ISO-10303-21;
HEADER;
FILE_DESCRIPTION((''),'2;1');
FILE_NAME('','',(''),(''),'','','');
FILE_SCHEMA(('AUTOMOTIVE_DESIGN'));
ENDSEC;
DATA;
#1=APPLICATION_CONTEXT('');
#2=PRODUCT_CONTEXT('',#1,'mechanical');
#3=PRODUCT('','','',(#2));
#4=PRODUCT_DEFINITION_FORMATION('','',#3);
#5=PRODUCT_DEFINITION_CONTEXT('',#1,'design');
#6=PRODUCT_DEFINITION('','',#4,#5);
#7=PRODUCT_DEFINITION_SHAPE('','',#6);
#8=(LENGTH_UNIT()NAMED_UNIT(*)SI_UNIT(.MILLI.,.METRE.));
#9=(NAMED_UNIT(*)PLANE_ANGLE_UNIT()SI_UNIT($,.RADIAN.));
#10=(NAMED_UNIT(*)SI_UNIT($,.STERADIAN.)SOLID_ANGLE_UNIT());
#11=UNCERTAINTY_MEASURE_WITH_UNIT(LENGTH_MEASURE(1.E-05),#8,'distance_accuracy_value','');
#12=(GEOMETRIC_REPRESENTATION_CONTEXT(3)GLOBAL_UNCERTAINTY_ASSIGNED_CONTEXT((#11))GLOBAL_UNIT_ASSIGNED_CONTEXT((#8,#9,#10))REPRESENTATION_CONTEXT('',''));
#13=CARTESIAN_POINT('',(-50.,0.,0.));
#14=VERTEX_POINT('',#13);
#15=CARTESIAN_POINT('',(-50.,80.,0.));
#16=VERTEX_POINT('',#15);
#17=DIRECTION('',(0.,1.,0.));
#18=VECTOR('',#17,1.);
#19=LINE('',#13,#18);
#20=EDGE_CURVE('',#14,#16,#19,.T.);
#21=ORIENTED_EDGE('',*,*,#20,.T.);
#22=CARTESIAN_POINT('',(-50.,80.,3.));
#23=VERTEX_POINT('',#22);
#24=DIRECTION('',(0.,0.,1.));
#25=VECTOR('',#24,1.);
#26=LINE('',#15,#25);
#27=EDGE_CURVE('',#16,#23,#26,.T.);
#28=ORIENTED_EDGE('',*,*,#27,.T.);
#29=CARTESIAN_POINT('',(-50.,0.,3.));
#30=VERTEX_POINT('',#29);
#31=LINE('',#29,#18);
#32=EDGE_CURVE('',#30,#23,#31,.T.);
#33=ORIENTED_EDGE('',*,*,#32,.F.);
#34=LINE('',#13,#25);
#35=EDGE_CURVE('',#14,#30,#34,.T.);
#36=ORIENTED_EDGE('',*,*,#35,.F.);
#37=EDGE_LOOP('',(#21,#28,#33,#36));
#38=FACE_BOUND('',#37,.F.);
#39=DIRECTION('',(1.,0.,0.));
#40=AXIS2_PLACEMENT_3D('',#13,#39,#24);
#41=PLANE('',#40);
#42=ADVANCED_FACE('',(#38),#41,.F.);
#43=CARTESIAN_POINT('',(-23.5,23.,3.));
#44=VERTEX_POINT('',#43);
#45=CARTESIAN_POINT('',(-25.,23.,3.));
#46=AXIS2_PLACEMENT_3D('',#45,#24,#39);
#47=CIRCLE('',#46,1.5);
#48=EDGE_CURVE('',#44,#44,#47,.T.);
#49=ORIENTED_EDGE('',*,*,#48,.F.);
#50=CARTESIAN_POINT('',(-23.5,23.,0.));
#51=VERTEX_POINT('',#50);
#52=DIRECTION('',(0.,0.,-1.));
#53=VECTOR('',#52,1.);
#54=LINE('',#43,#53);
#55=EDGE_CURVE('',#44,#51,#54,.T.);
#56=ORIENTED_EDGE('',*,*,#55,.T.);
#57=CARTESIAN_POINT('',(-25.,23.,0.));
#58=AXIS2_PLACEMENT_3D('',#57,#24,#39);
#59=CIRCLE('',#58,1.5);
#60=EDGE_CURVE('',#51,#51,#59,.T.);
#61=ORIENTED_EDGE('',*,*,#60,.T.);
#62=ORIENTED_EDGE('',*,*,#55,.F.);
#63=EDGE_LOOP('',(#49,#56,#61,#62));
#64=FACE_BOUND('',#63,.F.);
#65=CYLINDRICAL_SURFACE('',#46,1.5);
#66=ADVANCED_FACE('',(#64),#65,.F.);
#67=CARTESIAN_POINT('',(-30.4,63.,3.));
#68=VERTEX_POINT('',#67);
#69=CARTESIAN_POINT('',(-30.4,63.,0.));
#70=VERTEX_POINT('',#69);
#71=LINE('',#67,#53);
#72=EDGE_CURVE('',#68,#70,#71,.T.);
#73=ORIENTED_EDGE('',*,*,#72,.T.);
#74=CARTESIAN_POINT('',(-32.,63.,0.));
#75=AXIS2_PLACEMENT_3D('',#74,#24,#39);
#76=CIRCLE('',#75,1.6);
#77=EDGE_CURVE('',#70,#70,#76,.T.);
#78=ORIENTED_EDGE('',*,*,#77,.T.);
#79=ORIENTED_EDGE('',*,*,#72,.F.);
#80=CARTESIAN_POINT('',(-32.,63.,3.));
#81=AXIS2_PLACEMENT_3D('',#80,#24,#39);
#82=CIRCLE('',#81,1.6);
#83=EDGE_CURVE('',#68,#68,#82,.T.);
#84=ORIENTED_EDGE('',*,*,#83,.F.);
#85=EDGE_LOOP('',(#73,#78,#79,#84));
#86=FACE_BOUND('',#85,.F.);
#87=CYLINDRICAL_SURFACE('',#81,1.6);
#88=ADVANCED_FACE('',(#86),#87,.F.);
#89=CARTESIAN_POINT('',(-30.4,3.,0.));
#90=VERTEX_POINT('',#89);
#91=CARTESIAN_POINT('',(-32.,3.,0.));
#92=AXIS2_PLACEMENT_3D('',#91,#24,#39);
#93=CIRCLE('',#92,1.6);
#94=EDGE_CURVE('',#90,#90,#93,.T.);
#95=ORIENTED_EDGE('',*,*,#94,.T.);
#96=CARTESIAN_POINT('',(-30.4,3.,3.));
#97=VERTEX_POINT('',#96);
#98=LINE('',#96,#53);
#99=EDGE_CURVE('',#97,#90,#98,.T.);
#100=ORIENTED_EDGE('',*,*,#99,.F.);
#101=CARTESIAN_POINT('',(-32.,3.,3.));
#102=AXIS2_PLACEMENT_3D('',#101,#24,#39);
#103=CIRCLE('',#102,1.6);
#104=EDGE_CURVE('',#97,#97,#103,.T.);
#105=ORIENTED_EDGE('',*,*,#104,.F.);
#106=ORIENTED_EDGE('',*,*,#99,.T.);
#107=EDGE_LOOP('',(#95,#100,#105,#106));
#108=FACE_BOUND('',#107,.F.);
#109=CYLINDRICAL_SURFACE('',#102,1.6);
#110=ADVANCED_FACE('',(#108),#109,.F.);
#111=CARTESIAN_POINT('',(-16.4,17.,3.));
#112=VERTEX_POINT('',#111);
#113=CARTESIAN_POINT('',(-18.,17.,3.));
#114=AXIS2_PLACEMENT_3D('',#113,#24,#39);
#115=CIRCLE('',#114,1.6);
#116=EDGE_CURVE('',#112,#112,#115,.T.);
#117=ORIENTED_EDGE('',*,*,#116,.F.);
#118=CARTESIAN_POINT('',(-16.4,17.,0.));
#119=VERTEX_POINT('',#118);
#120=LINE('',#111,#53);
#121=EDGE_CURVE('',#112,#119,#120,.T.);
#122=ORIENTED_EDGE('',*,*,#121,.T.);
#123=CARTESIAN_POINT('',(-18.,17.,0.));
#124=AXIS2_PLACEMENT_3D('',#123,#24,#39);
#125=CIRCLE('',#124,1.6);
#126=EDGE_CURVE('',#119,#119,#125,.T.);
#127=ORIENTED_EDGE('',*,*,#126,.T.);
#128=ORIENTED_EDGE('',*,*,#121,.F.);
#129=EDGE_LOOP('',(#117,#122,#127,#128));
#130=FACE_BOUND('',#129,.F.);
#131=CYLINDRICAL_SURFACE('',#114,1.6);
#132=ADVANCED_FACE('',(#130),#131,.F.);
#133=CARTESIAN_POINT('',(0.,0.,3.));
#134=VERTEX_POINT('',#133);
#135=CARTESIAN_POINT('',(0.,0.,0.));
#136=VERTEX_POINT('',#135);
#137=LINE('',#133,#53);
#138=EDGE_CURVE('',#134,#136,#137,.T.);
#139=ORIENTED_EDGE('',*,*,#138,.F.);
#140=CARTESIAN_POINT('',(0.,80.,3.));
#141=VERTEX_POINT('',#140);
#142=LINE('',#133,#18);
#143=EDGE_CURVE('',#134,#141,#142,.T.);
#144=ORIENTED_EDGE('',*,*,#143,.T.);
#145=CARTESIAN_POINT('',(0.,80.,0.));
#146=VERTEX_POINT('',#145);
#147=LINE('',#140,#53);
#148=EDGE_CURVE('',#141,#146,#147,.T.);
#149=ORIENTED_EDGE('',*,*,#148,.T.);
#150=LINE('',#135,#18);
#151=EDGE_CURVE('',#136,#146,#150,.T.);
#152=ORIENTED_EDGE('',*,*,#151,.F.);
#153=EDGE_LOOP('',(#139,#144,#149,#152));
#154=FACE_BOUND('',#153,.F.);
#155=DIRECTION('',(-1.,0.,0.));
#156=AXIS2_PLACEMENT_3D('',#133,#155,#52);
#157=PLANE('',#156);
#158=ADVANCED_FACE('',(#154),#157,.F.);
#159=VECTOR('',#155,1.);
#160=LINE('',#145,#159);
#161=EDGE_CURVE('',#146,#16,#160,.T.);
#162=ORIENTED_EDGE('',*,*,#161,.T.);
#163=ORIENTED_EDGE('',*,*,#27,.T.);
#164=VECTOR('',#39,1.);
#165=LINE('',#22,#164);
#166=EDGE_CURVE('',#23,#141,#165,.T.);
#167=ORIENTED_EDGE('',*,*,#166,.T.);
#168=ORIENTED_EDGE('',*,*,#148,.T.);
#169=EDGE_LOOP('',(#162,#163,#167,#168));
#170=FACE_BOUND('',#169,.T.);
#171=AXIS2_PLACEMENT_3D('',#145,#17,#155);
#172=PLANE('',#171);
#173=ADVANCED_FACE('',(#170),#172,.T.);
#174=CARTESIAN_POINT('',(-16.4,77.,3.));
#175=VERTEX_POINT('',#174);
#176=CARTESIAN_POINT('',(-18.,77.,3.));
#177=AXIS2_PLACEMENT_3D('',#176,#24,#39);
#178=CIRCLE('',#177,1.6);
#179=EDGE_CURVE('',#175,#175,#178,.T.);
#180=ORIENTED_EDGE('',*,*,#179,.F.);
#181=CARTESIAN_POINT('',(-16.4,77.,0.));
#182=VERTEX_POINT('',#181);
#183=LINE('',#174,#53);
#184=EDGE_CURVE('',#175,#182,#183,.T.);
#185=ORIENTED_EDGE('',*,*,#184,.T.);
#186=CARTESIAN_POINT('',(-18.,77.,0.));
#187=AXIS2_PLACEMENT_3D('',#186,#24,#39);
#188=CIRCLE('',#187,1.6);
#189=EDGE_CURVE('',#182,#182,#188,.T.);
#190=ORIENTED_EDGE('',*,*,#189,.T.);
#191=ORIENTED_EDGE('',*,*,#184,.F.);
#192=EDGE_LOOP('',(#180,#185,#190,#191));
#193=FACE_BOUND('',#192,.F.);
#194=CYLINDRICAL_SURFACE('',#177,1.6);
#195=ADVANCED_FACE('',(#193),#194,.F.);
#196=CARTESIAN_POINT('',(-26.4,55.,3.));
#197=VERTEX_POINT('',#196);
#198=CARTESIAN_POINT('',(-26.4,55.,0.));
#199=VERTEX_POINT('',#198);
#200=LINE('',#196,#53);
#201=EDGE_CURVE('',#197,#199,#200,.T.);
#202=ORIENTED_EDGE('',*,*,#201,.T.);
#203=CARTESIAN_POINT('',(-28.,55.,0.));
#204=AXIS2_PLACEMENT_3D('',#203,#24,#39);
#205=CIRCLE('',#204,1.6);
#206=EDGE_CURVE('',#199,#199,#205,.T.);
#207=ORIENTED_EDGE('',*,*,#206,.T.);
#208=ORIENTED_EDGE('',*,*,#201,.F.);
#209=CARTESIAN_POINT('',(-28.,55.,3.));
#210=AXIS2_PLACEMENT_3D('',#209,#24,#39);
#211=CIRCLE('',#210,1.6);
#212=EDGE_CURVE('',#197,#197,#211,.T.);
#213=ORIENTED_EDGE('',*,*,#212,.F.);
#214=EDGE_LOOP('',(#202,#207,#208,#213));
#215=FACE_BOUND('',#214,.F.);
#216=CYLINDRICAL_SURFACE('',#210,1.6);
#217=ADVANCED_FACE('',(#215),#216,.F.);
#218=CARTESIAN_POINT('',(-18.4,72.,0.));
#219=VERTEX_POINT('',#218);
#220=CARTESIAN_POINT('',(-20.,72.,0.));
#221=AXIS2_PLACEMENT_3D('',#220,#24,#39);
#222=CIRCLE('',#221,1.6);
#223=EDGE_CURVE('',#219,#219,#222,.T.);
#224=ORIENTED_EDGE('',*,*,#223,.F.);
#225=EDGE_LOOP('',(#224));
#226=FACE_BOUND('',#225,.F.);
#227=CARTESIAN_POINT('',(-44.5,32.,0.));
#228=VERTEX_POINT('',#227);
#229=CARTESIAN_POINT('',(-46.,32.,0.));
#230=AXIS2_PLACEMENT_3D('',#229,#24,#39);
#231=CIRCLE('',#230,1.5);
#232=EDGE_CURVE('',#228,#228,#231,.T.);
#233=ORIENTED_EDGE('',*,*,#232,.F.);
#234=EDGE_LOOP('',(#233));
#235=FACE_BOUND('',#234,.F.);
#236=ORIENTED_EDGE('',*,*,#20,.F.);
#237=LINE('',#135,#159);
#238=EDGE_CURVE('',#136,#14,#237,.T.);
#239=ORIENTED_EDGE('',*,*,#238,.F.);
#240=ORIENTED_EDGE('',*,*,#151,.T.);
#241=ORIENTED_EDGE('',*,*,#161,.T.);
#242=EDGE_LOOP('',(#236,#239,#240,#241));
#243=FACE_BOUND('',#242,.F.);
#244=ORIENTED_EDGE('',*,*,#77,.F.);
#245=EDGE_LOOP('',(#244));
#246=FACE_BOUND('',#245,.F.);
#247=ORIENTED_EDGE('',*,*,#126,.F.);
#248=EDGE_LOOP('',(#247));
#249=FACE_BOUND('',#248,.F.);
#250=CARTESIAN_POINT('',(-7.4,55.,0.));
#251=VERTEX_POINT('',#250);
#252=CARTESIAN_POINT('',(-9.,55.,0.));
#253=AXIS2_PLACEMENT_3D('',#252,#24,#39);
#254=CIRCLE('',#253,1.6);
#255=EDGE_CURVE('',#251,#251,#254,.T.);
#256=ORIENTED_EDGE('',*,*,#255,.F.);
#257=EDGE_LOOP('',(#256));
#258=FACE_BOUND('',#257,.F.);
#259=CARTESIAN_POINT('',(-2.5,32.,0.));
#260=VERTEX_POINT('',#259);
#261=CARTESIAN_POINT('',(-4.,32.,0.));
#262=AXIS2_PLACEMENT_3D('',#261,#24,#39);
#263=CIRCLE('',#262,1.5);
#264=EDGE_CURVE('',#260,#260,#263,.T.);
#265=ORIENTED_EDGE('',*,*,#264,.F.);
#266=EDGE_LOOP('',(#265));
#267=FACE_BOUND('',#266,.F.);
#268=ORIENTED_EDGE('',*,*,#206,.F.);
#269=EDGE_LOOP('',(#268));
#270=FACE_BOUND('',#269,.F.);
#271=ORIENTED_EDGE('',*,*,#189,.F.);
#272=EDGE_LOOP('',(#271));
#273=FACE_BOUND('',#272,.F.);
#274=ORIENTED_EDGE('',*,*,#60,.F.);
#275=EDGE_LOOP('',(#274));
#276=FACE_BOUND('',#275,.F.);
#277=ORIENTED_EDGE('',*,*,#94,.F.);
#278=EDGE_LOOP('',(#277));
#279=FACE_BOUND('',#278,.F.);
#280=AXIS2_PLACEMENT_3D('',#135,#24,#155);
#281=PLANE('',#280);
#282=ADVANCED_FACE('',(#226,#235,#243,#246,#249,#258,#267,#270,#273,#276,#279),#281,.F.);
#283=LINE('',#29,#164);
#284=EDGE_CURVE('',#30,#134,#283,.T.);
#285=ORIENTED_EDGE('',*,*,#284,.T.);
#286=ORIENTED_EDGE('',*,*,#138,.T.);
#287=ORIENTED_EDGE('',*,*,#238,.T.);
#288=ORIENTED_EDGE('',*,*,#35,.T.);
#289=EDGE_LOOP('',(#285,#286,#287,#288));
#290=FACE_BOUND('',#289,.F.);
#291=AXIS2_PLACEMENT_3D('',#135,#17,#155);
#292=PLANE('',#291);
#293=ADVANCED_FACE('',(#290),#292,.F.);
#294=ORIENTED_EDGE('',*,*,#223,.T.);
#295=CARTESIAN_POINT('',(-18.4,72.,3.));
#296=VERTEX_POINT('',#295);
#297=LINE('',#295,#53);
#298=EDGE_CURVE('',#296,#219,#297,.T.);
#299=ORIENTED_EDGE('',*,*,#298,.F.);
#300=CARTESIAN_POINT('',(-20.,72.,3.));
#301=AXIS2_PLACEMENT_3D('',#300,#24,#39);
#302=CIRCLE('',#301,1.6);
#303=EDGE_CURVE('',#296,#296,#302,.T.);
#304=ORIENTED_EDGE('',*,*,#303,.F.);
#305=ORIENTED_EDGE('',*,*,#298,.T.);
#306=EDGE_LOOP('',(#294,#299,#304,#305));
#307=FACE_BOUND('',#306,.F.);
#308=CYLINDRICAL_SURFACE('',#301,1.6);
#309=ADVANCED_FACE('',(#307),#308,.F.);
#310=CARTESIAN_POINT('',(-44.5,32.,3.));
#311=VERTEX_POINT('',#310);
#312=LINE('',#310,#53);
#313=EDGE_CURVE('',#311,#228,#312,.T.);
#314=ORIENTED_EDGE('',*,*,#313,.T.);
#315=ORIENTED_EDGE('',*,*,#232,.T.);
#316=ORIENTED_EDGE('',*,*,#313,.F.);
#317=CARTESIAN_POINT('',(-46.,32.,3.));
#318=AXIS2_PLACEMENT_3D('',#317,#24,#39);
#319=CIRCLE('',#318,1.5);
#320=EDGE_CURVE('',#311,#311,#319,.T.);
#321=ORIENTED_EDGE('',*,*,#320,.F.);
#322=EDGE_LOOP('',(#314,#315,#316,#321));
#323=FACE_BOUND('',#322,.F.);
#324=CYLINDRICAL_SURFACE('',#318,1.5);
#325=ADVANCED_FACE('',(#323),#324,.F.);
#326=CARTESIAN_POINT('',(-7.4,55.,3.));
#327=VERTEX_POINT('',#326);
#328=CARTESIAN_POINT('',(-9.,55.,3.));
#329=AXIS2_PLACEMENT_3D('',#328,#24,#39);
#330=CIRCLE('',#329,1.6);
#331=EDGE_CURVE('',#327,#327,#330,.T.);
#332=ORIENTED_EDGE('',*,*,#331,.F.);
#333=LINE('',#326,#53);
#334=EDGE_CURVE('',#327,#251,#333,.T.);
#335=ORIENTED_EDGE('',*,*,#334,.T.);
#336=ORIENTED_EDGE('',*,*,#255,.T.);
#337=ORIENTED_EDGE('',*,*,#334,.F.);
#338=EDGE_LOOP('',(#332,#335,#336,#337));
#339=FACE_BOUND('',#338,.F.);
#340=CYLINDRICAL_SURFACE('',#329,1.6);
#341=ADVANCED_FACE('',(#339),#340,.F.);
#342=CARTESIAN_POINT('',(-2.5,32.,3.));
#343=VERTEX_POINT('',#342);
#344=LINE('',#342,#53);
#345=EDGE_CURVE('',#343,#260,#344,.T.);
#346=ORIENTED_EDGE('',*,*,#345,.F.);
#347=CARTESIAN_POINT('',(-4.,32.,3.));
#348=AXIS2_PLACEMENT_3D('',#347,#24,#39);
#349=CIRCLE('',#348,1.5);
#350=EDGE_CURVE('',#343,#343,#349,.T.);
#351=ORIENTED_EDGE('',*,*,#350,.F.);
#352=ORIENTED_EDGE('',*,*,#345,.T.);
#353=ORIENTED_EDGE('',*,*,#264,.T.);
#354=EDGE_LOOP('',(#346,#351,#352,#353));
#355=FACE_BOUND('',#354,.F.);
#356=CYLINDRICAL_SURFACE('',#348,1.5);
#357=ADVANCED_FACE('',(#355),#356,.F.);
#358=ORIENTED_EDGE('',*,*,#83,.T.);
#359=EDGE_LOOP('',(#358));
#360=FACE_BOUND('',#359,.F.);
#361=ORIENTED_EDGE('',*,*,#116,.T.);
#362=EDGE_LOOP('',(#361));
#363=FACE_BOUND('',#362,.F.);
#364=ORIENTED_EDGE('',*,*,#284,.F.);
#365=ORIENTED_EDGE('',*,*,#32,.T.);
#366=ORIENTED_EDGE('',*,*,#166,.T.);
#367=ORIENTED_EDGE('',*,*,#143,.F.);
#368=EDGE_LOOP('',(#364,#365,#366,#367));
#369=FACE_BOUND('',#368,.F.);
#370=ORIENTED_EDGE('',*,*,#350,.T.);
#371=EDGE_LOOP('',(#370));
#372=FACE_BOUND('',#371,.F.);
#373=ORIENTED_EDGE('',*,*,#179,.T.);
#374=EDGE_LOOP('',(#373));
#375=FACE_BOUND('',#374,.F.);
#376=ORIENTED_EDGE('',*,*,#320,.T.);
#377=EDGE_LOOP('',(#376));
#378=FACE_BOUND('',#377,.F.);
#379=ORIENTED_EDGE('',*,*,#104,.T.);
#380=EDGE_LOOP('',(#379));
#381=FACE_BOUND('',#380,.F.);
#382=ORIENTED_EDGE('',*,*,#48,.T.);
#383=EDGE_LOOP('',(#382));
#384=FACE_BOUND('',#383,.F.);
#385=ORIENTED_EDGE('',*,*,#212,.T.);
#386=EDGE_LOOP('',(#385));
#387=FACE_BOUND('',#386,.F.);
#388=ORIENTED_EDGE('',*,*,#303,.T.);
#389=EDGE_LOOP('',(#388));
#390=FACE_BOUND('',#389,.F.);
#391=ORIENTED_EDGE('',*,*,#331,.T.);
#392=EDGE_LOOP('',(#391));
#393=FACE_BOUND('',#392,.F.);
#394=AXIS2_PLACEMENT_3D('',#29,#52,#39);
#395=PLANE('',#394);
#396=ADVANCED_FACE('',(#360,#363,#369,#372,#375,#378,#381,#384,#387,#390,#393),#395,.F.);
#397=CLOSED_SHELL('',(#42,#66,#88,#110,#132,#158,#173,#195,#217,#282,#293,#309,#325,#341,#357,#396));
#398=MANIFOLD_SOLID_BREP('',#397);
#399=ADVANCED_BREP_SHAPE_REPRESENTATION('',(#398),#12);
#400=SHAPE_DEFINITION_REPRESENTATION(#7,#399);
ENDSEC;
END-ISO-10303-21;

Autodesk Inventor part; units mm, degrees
ref_plane "YZ Plane" through (0, 0, 0) normal (1, 0, 0) x (0, 1, 0)
ref_plane "XZ Plane" through (0, 0, 0) normal (0, 1, 0) x (-1, 0, 0)
ref_plane "XY Plane" through (0, 0, 0) normal (0, 0, 1) x (1, 0, 0)
sketch "Sketch1" plane through (0, 0, 0) normal (0, 1, 0) x (-1, 0, 0)
  line L0 (0, 0) -> (50, 0)
  line L1 (50, 0) -> (50, 3)
  line L2 (50, 3) -> (0, 3)
  line L3 (0, 3) -> (0, 0)
  dimension "d0" = 50
  dimension "d1" = 3
extrude "Extrusion1" add sketch "Sketch1" along normal blind 80
sketch "Sketch2" plane through (-50, 0, 3) normal (0, 0, 1) x (1, 0, 0)
  line L0 (0, 0) -> (0, 80) projected
  line L1 (50, 0) -> (50, 80) projected
  line L2 (0, 80) -> (50, 80) projected
  line L3 (50, 40) -> (40, 40)
  line L4 (40, 40) -> (40, 30)
  line L5 (40, 30) -> (50, 30)
  line L6 (50, 30) -> (50, 40)
  circle A0 centre (4, 32) radius 1.5 projected
  circle A1 centre (46, 32) radius 1.5 projected
  circle A2 centre (18, 63) radius 1.6 projected
  circle A3 centre (32, 77) radius 1.6 projected
  circle A4 centre (32, 17) radius 1.6 projected
  circle A5 centre (18, 3) radius 1.6 projected
  circle A6 centre (22, 55) radius 1.6 projected
  circle A7 centre (41, 55) radius 1.6 projected
  circle A8 centre (30, 72) radius 1.6 projected
  line L7 (0, 0) -> (50, 0) projected
  circle A9 centre (25, 23) radius 1.5
  point P0 (25, 80)
  point P1 (25, 0)
  dimension "d13" = 10
  dimension "d14" = 10
  dimension "d15" = 30
  dimension "d16" = 3
  dimension "d17" = 23
extrude "Extrusion2" cut sketch "Sketch2" against normal blind 5 contours A0 | A1 | A2 | A3 | A4 | A5 | A6 | A7 | A8 | A9
properties part number "Z Rail"
